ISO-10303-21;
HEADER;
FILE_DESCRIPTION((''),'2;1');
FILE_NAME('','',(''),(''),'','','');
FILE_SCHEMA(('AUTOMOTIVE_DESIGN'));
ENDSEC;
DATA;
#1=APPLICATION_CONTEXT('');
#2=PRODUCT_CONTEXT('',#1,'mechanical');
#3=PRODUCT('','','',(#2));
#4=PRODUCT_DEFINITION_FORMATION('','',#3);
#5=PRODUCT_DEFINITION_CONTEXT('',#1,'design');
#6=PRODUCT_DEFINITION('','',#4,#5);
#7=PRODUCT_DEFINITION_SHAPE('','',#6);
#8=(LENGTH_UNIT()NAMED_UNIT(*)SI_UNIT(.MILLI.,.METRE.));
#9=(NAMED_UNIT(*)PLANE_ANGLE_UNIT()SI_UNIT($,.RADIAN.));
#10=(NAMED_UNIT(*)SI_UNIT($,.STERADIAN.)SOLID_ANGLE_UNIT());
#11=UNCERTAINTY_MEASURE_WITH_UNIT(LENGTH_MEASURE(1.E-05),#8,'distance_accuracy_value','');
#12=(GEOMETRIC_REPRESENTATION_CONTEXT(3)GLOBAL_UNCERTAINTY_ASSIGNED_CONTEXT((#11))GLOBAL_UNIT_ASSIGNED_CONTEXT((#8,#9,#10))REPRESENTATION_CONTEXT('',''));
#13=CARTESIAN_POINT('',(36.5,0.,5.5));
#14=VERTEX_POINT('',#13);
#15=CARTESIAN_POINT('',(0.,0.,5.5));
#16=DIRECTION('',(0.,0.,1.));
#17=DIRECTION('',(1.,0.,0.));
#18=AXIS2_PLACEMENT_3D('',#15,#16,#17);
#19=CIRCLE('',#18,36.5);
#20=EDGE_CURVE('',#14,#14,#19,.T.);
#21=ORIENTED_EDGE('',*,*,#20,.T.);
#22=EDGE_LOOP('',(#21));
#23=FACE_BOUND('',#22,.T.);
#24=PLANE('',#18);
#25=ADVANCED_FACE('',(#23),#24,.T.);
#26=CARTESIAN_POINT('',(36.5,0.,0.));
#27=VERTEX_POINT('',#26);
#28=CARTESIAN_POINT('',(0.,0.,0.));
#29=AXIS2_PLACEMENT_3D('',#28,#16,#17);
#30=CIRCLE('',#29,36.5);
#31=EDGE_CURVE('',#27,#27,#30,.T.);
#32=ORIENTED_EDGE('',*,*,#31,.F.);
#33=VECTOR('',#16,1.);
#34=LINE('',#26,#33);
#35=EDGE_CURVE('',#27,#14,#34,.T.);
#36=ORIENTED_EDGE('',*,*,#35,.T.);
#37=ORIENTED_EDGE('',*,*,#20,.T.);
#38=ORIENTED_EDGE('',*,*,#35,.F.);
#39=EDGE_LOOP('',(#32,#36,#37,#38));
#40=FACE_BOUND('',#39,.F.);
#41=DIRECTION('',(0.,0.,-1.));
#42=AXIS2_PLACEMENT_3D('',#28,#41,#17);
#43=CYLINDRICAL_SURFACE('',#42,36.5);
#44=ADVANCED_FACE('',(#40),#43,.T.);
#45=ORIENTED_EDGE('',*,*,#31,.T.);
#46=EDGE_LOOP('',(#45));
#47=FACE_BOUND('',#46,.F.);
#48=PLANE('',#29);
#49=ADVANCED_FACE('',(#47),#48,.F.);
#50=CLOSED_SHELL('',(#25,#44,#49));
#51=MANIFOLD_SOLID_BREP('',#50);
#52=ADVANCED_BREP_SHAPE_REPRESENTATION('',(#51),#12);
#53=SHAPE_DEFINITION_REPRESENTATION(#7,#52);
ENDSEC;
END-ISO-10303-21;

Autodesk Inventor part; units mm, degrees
ref_plane "YZ Plane" through (0, 0, 0) normal (1, 0, 0) x (0, 1, 0)
ref_plane "XZ Plane" through (0, 0, 0) normal (0, 1, 0) x (-1, 0, 0)
ref_plane "XY Plane" through (0, 0, 0) normal (0, 0, 1) x (1, 0, 0)
sketch "Sketch1" plane through (0, 0, 0) normal (0, 0, 1) x (1, 0, 0)
  circle A0 centre (0, 0) radius 36.5
  dimension "d0" = 73
extrude "Extrusion1" add sketch "Sketch1" along normal blind 5.5
properties part number "tapagas"
